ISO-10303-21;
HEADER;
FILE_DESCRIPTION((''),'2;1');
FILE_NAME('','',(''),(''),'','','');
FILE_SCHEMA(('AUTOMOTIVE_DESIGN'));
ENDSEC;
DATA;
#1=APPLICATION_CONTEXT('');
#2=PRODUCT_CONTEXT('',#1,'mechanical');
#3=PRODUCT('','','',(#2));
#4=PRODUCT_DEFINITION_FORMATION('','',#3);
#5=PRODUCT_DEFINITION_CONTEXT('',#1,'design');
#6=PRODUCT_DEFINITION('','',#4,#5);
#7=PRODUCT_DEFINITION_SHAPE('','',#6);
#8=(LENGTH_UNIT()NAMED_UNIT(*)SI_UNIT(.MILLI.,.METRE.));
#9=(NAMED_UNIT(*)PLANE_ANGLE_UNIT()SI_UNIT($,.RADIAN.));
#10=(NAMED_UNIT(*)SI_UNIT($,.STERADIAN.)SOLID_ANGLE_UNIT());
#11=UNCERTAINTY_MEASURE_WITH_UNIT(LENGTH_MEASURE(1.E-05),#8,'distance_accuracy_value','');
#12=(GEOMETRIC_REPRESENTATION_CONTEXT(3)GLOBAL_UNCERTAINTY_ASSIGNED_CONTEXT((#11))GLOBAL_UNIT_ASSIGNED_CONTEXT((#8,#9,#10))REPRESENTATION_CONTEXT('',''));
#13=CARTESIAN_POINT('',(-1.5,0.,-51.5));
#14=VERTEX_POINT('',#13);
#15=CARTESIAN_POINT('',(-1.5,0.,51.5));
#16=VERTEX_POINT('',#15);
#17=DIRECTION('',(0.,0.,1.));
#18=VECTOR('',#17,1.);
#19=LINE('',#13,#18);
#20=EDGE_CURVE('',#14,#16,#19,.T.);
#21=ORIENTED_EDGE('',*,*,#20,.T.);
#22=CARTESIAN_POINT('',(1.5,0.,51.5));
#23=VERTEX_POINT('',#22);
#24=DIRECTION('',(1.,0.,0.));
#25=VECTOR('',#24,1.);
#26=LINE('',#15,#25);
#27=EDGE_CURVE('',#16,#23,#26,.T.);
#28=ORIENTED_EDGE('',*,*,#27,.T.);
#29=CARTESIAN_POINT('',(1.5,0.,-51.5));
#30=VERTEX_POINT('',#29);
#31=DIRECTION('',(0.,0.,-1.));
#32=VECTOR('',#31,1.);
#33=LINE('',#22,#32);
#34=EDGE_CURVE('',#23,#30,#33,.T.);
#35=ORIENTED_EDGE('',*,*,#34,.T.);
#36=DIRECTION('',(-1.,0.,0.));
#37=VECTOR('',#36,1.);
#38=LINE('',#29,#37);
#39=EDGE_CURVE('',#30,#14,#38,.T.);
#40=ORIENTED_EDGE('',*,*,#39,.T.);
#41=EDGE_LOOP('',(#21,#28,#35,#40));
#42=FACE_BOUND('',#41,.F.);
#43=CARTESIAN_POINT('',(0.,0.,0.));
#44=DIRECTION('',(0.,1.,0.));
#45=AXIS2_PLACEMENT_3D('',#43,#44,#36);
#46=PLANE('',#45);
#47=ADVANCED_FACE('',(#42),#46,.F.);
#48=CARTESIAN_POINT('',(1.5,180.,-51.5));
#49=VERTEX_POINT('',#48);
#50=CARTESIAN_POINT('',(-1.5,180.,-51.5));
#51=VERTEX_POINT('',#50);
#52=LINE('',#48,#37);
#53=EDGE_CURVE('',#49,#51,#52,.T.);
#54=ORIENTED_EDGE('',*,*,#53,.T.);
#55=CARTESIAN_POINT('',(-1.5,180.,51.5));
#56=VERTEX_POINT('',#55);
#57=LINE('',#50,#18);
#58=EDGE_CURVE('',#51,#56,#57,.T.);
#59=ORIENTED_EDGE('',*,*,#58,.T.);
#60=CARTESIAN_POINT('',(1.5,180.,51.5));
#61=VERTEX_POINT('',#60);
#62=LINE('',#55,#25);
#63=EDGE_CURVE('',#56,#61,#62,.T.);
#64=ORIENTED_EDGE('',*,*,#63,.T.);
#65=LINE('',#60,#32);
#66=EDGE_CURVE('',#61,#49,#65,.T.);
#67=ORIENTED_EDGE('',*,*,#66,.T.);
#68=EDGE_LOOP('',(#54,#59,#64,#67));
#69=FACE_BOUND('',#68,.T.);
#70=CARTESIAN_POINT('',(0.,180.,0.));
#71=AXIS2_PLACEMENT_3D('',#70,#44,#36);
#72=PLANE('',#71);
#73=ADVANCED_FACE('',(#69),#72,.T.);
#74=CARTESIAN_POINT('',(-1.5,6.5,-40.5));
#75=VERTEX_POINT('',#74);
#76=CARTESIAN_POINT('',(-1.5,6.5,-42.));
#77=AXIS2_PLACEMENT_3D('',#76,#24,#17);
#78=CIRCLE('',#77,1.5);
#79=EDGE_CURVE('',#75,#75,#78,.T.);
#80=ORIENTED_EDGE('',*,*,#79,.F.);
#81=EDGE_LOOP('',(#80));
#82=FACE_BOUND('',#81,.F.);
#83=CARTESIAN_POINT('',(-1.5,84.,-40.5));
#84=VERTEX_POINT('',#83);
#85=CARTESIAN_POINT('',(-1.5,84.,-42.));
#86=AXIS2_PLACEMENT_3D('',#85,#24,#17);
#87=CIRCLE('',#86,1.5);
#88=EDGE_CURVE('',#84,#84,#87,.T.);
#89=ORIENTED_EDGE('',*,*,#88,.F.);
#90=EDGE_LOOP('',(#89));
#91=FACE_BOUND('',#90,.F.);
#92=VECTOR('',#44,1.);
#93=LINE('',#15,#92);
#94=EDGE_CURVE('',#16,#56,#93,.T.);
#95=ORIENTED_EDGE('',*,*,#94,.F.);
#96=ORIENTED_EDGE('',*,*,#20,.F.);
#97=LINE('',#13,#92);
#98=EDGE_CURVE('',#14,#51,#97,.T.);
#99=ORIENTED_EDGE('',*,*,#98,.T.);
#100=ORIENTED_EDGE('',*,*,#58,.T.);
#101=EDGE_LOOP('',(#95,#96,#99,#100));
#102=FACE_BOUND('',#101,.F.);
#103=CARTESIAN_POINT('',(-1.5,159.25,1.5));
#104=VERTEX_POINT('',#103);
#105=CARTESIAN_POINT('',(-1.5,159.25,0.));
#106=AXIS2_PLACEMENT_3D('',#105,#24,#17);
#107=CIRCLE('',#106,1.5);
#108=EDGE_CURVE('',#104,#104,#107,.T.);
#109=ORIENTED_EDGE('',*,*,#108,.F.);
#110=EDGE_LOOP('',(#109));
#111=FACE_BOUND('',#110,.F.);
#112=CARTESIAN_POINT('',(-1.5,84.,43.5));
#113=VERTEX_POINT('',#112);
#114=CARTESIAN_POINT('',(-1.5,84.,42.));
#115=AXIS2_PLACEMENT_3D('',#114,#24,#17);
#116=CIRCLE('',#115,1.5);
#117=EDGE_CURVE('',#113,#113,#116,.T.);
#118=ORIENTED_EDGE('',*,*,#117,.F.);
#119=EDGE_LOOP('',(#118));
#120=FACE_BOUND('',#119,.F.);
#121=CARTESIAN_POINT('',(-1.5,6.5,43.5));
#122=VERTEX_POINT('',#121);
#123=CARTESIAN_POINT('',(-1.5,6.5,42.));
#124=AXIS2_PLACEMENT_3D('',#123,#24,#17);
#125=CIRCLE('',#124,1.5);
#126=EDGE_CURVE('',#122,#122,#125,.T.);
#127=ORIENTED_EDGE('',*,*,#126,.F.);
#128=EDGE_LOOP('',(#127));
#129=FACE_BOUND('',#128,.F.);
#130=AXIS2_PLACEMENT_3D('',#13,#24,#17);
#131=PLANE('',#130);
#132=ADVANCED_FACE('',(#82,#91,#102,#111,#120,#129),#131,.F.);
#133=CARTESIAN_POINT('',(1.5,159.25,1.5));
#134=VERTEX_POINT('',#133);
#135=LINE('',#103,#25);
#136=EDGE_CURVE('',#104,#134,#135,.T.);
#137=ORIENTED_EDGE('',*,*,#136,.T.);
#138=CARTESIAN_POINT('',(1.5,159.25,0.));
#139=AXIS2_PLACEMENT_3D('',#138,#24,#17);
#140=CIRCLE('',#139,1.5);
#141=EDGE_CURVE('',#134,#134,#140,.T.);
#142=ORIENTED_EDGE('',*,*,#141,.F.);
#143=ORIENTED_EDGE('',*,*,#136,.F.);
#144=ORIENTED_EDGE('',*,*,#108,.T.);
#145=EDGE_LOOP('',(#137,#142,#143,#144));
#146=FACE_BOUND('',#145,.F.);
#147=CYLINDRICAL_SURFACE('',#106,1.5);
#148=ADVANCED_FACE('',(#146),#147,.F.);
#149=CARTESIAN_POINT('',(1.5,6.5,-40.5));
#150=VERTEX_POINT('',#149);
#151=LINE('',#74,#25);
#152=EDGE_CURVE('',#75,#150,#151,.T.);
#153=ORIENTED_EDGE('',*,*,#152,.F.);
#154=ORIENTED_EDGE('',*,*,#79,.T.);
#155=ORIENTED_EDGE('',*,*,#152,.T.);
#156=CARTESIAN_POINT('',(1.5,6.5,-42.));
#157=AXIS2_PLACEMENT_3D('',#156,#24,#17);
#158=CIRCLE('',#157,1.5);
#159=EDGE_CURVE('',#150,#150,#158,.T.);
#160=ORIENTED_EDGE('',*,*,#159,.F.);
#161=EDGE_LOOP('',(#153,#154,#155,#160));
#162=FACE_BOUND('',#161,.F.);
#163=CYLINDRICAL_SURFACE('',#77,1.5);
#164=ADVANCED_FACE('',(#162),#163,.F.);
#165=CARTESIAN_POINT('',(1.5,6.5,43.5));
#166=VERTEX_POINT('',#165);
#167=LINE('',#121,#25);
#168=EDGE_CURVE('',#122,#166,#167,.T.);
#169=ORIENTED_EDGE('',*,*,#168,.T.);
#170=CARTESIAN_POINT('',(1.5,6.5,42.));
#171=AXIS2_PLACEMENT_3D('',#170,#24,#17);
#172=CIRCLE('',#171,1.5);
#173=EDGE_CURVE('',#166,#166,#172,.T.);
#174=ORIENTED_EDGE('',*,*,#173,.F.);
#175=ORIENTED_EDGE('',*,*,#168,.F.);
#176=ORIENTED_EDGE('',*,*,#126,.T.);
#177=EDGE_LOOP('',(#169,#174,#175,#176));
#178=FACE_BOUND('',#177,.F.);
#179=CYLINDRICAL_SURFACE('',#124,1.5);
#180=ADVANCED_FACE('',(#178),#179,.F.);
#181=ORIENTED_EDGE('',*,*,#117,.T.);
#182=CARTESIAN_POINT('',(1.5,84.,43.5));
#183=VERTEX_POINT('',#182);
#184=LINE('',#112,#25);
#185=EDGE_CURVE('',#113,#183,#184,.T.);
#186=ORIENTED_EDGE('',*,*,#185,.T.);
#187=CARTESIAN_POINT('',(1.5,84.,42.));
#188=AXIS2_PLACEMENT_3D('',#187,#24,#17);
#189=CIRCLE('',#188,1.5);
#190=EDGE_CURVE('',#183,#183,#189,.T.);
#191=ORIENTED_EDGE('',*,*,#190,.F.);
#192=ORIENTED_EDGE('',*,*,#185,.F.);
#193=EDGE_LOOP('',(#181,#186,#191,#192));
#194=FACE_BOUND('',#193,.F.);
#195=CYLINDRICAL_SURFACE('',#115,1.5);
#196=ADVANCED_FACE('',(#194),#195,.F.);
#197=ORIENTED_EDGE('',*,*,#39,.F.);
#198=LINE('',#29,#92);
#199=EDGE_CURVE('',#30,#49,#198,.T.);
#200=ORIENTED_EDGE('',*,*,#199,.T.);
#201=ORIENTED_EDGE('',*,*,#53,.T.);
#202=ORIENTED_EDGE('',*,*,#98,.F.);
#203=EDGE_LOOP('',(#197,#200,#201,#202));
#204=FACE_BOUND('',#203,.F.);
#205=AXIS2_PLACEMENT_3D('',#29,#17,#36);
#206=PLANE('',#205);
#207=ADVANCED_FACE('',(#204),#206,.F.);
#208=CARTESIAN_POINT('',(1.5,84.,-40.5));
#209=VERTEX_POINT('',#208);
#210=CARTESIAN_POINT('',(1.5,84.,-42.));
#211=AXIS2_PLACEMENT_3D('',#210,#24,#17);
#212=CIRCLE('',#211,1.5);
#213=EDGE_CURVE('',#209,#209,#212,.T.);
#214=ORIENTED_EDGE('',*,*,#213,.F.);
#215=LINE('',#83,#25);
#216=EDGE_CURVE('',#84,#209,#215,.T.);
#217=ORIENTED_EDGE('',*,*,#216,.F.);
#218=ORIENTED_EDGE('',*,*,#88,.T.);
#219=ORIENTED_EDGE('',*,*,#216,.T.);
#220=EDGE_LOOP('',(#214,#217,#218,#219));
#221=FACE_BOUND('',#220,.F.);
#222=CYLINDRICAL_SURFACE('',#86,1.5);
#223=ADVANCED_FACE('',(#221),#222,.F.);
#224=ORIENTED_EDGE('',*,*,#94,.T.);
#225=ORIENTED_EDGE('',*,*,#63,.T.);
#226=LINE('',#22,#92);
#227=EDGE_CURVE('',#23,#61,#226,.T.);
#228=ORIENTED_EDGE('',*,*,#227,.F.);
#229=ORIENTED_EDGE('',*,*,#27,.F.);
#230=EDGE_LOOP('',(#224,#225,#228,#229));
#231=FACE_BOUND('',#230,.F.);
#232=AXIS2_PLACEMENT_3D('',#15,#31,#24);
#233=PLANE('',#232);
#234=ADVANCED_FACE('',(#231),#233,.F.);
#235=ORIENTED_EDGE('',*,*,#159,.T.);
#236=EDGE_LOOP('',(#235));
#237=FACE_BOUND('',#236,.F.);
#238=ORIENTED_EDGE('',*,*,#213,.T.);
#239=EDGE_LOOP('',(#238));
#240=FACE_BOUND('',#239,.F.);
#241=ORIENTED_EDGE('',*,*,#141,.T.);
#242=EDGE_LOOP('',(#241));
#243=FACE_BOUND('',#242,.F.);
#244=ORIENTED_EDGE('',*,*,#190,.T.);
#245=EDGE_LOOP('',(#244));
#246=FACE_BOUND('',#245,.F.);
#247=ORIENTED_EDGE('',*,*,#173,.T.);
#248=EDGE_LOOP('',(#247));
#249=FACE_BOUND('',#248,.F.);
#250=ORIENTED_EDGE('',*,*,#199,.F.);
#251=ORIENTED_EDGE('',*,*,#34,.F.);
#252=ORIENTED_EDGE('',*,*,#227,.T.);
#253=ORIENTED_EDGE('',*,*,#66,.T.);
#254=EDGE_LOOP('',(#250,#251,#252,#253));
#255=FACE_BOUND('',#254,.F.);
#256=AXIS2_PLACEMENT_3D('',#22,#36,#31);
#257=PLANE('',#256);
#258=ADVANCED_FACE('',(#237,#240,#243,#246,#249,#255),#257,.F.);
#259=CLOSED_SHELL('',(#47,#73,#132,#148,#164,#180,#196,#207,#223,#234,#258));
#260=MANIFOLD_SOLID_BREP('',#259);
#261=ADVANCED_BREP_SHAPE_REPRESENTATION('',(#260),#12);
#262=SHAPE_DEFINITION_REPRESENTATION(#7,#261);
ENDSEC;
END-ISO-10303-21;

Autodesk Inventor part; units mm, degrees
ref_plane "YZ Plane" through (0, 0, 0) normal (1, 0, 0) x (0, 1, 0)
ref_plane "XZ Plane" through (0, 0, 0) normal (0, 1, 0) x (-1, 0, 0)
ref_plane "XY Plane" through (0, 0, 0) normal (0, 0, 1) x (1, 0, 0)
sketch "Boceto1" plane through (0, 0, 0) normal (0, 1, 0) x (-1, 0, 0)
  line L0 (-1.5, -51.5) -> (1.5, -51.5)
  line L1 (1.5, -51.5) -> (1.5, 51.5)
  line L2 (1.5, 51.5) -> (-1.5, 51.5)
  line L3 (-1.5, 51.5) -> (-1.5, -51.5)
  line L4 (-1.5, -51.5) -> (1.5, 51.5) construction
  line L5 (1.5, -51.5) -> (-1.5, 51.5) construction
  point P0 (0, 0)
  dimension "d0" = 3
  dimension "d1" = 103
extrude "Extrusión1" add sketch "Boceto1" along normal blind 180
sketch "Boceto2" plane through (-1.5, 0, -51.5) normal (-1, 0, 0) x (0, 0, 1)
  circle A0 centre (9.5, 6.5) radius 1.25 projected
  circle A1 centre (93.5, 6.5) radius 1.25 projected
  line L0 (103, 0) -> (0, 0) projected
  line L1 (0, 0) -> (0, 180) projected
  line L2 (103, 180) -> (0, 180) projected
  line L3 (103, 0) -> (103, 180) projected
  line L4 (0, 0) -> (103, 0) projected
  line L5 (103, 0) -> (103, 180) projected
  line L6 (0, 180) -> (103, 180) projected
  line L7 (0, 0) -> (0, 180) projected
  line L8 (0, 0) -> (0, 180) projected
  circle A2 centre (51.5, 159.25) radius 1.25 projected
  circle A3 centre (93.5, 84) radius 1.5 projected
  circle A4 centre (9.5, 84) radius 1.5 projected
  point P0 (51.5, 0)
hole "Agujero1" at (-1.5, 84, -42) at (-1.5, 6.5, -42) at (-1.5, 6.5, 42) at (-1.5, 84, 42) at (-1.5, 159.25, 0) direction (1, 0, 0) diameter 3 depth 5 tip angle 118
properties part number "Panel4"
